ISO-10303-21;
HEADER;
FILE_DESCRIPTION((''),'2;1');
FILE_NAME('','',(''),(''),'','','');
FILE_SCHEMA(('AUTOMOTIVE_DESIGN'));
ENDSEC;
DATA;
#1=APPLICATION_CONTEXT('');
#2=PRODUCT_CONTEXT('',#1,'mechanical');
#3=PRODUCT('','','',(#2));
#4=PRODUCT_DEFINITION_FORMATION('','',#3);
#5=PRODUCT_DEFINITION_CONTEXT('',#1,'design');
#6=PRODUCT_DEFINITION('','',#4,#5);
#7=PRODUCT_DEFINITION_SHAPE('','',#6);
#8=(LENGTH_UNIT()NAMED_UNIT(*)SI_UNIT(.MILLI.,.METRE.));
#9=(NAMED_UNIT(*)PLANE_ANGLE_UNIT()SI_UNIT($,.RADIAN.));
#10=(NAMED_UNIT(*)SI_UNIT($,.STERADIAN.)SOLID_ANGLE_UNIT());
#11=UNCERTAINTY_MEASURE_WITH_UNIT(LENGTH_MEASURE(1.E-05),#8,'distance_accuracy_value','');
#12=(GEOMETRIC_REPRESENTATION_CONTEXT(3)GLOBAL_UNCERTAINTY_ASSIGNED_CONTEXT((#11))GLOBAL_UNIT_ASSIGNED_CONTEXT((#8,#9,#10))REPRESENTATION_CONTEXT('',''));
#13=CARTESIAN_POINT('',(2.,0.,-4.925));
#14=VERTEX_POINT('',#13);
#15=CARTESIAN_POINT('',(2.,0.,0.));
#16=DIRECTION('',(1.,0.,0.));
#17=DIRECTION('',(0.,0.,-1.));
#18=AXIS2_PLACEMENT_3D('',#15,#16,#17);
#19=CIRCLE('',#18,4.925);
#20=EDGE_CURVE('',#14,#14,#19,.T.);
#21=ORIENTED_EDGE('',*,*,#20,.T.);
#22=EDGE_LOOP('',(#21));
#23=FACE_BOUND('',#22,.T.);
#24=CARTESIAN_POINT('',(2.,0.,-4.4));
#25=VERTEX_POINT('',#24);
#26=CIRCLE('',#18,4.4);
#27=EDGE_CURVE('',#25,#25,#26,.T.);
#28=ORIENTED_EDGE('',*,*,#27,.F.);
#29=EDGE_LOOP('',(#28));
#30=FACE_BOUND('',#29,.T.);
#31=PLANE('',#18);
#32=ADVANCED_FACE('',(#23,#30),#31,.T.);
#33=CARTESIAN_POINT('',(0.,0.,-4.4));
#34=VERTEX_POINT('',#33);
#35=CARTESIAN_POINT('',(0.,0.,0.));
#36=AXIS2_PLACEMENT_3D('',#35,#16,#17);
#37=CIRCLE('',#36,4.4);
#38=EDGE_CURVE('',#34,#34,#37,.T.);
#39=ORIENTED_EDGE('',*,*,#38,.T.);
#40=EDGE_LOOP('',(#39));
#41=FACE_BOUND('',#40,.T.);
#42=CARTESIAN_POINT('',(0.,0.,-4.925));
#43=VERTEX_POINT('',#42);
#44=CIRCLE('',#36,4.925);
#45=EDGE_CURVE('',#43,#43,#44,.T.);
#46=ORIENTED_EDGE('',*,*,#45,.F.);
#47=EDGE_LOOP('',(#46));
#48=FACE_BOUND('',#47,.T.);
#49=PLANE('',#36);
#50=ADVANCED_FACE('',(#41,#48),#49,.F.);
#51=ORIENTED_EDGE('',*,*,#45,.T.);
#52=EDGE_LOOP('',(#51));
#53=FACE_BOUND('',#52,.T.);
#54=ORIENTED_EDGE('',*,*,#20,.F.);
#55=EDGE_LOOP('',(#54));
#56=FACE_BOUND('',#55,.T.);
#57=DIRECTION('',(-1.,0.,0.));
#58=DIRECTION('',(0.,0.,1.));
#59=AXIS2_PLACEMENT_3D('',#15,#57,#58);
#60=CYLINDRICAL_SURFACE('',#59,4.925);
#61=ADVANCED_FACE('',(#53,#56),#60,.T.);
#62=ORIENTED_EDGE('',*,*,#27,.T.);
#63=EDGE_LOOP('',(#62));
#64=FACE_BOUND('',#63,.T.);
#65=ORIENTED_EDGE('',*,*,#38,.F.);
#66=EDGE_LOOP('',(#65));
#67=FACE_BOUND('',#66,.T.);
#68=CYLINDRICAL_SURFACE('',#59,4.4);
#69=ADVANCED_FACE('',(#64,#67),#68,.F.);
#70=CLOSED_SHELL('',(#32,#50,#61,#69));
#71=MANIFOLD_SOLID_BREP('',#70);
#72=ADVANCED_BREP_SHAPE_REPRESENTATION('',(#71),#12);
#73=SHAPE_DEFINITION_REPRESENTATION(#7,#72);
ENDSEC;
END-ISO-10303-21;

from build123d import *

# Parameters (mm, degrees)
SKETCH_1_R      = 4.925
SKETCH_1_R_2    = 4.4
EXTRUDE_1_DEPTH = 2


with BuildPart() as part:
    # 草图1 → 凸台-拉伸1 (new body)
    with BuildSketch(Plane(origin=(0, 0, 0), x_dir=(0, 0, -1), z_dir=(1, 0, 0))):
        Circle(SKETCH_1_R)
        Circle(SKETCH_1_R_2, mode=Mode.SUBTRACT)
    extrude(amount=EXTRUDE_1_DEPTH)


solid = part.part
